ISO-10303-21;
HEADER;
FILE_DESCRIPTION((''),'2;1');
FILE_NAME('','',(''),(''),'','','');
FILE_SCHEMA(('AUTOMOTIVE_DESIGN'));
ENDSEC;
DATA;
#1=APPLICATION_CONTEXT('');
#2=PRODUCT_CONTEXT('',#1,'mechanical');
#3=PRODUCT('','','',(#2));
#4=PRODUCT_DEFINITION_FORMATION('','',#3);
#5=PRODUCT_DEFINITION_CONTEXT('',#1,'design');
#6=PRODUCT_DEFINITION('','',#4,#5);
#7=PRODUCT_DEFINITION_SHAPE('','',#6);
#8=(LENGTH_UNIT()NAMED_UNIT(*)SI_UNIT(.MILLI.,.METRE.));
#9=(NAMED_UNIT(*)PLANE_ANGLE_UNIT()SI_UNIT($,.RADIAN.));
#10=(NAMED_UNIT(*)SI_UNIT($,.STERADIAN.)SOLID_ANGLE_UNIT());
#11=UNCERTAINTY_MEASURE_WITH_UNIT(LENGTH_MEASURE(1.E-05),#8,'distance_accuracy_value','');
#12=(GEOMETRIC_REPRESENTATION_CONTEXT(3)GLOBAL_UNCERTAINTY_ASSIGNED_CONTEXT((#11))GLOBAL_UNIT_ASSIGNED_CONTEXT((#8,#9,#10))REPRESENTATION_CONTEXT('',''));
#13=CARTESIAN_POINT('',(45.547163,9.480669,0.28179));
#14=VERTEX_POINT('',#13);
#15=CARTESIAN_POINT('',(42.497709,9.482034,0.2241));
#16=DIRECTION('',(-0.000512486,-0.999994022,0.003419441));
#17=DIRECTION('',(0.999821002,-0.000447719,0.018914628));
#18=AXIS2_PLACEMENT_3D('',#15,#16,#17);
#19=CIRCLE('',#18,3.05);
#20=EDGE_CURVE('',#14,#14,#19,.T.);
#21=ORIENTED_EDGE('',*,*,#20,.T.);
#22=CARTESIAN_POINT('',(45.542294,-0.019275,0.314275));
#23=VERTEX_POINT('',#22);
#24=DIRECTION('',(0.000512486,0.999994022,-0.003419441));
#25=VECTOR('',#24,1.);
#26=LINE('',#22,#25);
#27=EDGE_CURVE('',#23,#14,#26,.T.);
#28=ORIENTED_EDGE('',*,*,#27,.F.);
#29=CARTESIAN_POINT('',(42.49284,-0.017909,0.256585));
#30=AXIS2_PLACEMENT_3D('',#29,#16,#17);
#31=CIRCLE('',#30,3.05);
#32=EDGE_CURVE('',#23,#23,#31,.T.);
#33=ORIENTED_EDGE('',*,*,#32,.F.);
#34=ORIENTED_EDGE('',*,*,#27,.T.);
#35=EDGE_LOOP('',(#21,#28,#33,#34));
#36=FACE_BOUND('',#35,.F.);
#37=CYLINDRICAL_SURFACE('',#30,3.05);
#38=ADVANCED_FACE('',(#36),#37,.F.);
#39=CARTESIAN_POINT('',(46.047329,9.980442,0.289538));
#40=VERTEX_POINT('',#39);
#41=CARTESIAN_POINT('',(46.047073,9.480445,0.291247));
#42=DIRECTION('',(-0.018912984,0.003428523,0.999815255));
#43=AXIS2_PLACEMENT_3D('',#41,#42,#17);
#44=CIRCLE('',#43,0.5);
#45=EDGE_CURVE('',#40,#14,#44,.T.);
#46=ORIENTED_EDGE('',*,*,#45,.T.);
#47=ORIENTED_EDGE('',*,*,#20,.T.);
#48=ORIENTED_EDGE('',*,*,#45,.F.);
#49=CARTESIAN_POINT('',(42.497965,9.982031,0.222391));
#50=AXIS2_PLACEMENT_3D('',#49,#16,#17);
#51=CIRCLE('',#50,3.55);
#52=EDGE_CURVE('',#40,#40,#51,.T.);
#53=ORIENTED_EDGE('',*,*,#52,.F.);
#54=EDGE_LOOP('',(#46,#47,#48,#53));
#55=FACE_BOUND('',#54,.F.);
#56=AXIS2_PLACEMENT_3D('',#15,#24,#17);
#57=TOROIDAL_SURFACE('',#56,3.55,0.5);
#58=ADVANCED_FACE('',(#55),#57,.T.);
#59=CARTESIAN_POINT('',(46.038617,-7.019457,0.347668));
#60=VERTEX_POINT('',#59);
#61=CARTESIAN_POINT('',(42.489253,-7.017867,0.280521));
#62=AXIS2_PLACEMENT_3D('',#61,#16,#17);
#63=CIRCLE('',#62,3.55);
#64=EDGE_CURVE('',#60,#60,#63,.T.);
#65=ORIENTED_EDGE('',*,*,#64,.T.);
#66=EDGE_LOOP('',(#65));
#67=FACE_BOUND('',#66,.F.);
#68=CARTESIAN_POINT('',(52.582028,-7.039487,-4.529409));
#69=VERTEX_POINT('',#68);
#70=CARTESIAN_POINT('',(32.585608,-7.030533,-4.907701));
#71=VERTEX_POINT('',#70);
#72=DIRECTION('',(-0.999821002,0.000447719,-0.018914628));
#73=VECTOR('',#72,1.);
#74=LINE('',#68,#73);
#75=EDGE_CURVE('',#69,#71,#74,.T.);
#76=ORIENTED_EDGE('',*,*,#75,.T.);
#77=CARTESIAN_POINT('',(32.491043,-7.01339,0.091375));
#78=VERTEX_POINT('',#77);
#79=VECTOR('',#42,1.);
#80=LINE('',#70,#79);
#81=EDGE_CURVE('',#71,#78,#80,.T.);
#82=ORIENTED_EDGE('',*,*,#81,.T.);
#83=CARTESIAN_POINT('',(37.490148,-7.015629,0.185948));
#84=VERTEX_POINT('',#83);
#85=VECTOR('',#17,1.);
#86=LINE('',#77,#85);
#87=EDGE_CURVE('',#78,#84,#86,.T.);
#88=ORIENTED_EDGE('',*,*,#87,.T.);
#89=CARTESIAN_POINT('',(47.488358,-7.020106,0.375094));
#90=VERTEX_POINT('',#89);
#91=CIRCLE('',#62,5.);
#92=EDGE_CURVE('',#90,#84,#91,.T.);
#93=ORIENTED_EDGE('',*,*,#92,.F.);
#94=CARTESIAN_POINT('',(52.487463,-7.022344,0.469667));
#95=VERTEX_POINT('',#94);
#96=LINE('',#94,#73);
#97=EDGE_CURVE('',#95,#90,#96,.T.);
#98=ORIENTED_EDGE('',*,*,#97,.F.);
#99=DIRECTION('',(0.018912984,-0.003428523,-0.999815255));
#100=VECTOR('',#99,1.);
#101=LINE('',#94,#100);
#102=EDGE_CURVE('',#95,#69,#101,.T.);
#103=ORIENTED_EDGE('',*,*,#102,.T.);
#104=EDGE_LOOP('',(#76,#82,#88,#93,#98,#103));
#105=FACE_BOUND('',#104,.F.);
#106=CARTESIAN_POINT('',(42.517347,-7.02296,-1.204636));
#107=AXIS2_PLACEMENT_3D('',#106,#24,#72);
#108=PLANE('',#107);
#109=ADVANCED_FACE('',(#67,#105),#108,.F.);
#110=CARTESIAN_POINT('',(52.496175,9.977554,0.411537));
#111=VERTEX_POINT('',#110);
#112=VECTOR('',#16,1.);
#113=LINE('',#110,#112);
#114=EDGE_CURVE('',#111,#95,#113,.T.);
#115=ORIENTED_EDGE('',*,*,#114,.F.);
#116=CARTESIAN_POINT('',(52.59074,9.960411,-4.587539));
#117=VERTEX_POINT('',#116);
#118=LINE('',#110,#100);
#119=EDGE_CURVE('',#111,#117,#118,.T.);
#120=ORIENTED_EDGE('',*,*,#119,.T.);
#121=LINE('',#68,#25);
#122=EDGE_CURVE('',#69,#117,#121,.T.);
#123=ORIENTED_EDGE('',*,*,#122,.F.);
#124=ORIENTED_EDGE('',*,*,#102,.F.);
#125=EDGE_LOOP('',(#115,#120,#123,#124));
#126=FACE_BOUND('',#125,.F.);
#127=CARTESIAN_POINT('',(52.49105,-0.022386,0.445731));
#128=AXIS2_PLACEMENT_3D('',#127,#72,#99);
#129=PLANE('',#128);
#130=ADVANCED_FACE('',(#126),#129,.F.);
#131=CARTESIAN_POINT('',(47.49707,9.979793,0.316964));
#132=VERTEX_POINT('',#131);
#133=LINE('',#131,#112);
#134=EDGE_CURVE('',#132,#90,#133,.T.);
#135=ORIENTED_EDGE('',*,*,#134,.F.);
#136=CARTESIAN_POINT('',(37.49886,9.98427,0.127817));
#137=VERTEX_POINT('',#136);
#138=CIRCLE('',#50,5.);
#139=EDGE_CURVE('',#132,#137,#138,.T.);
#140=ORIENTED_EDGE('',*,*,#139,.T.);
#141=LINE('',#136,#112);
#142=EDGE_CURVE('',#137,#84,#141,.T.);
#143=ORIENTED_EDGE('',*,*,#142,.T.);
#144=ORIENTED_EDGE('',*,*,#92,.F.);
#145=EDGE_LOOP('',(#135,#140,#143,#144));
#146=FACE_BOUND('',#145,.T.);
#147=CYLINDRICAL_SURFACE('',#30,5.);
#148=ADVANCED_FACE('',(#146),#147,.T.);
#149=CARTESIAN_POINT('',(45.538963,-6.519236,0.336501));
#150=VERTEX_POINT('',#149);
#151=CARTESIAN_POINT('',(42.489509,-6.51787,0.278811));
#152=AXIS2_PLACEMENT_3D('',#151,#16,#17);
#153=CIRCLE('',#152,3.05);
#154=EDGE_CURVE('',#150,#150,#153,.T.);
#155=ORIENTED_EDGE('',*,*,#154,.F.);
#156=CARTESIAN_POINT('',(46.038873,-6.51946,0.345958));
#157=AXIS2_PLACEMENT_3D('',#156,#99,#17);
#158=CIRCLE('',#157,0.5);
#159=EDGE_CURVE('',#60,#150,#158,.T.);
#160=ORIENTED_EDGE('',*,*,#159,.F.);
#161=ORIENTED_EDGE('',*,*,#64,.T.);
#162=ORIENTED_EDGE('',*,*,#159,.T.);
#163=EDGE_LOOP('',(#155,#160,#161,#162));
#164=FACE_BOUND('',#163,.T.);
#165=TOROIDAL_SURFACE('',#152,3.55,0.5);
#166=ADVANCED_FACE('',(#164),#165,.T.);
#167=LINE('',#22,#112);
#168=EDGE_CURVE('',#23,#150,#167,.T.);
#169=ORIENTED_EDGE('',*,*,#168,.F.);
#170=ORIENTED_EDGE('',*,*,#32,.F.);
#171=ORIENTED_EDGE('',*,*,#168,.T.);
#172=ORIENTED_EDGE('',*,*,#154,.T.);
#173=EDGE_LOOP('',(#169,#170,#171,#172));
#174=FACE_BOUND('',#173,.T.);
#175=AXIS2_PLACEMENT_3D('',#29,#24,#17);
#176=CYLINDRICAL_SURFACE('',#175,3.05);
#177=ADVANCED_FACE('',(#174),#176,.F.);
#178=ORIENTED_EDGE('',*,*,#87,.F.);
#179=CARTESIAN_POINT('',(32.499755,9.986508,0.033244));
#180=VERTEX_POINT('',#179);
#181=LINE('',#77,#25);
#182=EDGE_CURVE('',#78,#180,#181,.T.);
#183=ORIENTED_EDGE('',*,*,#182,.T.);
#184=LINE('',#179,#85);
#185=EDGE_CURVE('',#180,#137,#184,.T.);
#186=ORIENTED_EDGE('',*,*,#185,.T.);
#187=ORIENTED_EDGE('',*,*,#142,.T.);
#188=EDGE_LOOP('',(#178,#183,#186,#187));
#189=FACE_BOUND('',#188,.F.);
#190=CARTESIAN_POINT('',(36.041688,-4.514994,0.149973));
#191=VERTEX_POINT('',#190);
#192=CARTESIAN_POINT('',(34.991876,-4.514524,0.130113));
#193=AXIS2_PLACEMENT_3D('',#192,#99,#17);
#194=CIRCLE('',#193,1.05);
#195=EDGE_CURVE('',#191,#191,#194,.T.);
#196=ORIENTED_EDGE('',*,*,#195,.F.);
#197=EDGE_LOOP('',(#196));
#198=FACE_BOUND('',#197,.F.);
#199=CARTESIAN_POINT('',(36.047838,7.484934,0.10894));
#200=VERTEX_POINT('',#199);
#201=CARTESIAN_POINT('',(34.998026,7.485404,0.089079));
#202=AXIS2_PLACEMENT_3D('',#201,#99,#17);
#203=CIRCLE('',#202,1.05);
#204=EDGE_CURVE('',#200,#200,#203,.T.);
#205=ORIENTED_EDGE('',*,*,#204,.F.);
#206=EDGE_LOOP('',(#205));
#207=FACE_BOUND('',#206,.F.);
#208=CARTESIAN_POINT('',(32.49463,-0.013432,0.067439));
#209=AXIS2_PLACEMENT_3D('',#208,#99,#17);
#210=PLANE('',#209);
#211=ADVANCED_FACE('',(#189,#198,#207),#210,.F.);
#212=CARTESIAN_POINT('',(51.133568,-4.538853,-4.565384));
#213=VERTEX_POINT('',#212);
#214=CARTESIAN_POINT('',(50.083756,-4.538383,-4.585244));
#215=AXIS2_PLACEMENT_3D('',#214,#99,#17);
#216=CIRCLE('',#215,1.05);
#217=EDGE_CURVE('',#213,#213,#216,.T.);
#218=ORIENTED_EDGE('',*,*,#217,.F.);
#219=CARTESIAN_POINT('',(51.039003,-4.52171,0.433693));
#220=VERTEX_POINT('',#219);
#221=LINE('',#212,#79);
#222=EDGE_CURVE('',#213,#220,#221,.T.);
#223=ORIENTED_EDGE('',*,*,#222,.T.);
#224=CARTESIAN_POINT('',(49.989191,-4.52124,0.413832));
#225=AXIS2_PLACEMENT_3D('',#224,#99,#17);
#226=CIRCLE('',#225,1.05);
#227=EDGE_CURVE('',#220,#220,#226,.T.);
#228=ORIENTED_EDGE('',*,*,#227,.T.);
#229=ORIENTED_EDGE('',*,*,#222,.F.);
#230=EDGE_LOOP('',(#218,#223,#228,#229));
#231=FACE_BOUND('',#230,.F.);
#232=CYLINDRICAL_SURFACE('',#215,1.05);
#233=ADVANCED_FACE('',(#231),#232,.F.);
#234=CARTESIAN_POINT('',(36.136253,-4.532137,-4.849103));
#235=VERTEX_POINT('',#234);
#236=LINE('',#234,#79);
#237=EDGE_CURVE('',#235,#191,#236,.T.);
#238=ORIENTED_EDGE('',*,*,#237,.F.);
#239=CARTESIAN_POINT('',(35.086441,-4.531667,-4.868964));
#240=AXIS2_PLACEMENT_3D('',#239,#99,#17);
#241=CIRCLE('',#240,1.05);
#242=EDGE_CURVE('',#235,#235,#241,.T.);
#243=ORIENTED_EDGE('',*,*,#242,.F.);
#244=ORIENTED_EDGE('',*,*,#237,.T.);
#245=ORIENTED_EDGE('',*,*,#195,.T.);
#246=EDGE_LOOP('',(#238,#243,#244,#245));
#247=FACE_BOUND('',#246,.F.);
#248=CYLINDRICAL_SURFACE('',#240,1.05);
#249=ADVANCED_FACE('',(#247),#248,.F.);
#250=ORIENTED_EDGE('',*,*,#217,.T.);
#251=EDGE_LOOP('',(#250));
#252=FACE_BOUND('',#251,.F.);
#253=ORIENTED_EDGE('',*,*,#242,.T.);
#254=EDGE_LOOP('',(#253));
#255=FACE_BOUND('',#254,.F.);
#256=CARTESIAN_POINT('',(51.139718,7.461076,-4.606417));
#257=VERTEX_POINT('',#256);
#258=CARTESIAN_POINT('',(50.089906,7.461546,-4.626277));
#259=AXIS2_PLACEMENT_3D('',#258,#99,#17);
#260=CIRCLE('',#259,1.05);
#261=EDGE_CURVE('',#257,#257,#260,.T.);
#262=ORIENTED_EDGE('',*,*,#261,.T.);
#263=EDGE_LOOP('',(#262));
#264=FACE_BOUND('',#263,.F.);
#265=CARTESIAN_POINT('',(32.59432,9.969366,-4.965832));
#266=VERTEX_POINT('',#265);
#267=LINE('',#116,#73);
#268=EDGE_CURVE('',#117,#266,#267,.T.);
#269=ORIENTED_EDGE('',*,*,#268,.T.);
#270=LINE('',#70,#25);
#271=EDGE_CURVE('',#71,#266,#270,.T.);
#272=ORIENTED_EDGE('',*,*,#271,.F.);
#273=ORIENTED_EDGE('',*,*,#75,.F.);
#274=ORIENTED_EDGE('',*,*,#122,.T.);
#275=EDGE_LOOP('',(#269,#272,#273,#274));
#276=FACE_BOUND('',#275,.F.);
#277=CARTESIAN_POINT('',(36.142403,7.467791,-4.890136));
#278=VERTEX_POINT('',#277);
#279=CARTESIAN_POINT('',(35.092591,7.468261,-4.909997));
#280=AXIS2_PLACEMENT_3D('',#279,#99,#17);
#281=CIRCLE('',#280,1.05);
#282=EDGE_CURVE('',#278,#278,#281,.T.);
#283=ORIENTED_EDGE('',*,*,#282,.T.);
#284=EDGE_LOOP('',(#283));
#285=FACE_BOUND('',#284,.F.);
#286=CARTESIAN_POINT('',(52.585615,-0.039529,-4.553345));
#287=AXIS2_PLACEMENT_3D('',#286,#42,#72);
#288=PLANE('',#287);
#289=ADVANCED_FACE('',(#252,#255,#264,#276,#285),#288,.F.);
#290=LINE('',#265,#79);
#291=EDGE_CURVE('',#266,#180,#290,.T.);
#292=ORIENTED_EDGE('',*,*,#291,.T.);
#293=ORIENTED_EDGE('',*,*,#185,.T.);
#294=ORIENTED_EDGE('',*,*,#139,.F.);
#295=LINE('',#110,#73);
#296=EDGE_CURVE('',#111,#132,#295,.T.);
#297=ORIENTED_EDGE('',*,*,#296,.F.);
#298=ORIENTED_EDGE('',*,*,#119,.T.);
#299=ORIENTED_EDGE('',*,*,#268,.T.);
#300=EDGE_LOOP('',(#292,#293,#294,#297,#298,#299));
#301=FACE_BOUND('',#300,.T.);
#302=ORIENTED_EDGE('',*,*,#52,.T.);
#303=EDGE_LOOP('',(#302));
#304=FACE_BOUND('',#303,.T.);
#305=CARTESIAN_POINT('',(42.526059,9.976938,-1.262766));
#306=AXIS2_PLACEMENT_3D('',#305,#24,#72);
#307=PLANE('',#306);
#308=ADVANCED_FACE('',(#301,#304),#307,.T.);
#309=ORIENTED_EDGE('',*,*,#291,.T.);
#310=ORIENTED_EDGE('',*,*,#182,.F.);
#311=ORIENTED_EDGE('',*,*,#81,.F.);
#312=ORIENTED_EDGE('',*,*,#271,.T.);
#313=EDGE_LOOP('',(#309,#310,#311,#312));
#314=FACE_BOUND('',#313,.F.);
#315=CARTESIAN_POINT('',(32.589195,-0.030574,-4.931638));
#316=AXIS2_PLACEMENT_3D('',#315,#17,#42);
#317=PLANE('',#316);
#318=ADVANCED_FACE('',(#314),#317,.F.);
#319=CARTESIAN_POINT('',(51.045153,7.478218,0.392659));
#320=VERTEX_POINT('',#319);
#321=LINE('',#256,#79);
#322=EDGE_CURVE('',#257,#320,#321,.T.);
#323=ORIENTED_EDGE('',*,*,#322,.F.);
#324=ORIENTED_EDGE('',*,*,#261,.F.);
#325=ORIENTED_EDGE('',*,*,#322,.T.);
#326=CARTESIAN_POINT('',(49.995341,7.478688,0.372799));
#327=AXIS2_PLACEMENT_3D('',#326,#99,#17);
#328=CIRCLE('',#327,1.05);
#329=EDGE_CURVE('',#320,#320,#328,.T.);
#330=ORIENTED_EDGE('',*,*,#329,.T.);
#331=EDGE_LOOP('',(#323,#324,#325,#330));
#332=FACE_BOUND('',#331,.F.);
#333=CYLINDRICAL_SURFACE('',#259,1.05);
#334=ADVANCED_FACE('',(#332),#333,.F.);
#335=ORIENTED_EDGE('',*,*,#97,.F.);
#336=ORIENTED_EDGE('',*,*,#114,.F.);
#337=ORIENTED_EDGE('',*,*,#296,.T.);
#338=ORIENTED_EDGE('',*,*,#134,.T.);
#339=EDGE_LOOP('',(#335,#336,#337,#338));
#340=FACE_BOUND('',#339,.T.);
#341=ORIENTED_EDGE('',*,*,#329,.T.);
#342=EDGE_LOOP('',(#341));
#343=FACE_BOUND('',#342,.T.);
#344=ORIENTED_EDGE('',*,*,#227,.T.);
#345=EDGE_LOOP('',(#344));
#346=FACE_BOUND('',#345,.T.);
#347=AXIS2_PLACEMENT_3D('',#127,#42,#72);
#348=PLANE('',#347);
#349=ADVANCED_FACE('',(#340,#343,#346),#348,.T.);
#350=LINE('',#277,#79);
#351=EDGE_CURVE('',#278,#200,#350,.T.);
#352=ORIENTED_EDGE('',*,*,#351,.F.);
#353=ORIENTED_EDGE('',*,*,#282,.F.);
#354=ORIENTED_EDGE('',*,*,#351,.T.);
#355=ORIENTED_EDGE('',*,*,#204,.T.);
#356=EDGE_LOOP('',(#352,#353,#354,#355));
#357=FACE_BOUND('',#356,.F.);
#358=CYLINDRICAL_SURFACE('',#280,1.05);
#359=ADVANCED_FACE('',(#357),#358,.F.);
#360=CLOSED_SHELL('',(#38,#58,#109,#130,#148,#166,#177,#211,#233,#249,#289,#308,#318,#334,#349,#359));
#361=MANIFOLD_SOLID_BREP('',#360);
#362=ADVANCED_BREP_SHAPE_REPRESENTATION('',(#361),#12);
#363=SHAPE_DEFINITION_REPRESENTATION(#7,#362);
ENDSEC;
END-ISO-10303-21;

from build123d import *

# Parameters (mm, degrees)
SKETCH_R              = 3.05
PAD_DEPTH             = 7
PAD_DEPTH_BACK        = 10
SKETCH001_R           = 1.05
POCKET_DEPTH          = 5
FILLET_R              = 0.5
CLONE_ROLL_ANGLE      = -0.195955
CLONE_PITCH_ANGLE     = -1.083793
CLONE_PLACEMENT_ANGLE = -0.025657


with BuildPart() as part:
    # Sketch → Pad (new body, two sides)
    with BuildSketch(Plane.XZ) as pad_sk:
        with BuildLine():
            Line((10, 0), (10, -5))
            Line((10, -5), (-10, -5))
            Line((-10, -5), (-10, 0))
            Line((-10, 0), (-5, 0))
            ThreePointArc((5, 0), (0, 5), (-5, 0))
            Line((10, 0), (5, 0))
        make_face()
        Circle(SKETCH_R, mode=Mode.SUBTRACT)
    extrude(amount=PAD_DEPTH)
    extrude(pad_sk.sketch, amount=-PAD_DEPTH_BACK)

    # Sketch001 → Pocket (cut)
    with BuildSketch(Plane(origin=(0, 0, -5), x_dir=(1, 0, 0), z_dir=(0, 0, -1))):
        with Locations((-7.5, 4.5)):
            Circle(SKETCH001_R)
        with Locations((-7.5, -7.5)):
            Circle(SKETCH001_R)
        with Locations((7.5, -7.5)):
            Circle(SKETCH001_R)
        with Locations((7.5, 4.5)):
            Circle(SKETCH001_R)
    extrude(amount=-POCKET_DEPTH, mode=Mode.SUBTRACT)

    # Fillet
    fillet_edges = [part.edges().sort_by_distance(p)[0] for p in [
        (-3.05, 10, 0),
        (-3.05, -7, 0),
    ]]
    fillet(fillet_edges, radius=FILLET_R)


with BuildPart() as part_1:
    # Clone roll: moved
    add(part.part.rotate(Axis((0, 0, 0), (1, 0, 0)), CLONE_ROLL_ANGLE))


with BuildPart() as part_2:
    # Clone pitch: moved
    add(part_1.part.rotate(Axis((0, 0, 0), (0, 1, 0)), CLONE_PITCH_ANGLE))


with BuildPart() as part_3:
    # Clone placement: moved
    add(part_2.part.moved(Location((42.49284, -0.017909, 0.256585))).rotate(Axis((42.49284, -0.017909, 0.256585), (0, 0, 1)), CLONE_PLACEMENT_ANGLE))


solid = part_3.part
